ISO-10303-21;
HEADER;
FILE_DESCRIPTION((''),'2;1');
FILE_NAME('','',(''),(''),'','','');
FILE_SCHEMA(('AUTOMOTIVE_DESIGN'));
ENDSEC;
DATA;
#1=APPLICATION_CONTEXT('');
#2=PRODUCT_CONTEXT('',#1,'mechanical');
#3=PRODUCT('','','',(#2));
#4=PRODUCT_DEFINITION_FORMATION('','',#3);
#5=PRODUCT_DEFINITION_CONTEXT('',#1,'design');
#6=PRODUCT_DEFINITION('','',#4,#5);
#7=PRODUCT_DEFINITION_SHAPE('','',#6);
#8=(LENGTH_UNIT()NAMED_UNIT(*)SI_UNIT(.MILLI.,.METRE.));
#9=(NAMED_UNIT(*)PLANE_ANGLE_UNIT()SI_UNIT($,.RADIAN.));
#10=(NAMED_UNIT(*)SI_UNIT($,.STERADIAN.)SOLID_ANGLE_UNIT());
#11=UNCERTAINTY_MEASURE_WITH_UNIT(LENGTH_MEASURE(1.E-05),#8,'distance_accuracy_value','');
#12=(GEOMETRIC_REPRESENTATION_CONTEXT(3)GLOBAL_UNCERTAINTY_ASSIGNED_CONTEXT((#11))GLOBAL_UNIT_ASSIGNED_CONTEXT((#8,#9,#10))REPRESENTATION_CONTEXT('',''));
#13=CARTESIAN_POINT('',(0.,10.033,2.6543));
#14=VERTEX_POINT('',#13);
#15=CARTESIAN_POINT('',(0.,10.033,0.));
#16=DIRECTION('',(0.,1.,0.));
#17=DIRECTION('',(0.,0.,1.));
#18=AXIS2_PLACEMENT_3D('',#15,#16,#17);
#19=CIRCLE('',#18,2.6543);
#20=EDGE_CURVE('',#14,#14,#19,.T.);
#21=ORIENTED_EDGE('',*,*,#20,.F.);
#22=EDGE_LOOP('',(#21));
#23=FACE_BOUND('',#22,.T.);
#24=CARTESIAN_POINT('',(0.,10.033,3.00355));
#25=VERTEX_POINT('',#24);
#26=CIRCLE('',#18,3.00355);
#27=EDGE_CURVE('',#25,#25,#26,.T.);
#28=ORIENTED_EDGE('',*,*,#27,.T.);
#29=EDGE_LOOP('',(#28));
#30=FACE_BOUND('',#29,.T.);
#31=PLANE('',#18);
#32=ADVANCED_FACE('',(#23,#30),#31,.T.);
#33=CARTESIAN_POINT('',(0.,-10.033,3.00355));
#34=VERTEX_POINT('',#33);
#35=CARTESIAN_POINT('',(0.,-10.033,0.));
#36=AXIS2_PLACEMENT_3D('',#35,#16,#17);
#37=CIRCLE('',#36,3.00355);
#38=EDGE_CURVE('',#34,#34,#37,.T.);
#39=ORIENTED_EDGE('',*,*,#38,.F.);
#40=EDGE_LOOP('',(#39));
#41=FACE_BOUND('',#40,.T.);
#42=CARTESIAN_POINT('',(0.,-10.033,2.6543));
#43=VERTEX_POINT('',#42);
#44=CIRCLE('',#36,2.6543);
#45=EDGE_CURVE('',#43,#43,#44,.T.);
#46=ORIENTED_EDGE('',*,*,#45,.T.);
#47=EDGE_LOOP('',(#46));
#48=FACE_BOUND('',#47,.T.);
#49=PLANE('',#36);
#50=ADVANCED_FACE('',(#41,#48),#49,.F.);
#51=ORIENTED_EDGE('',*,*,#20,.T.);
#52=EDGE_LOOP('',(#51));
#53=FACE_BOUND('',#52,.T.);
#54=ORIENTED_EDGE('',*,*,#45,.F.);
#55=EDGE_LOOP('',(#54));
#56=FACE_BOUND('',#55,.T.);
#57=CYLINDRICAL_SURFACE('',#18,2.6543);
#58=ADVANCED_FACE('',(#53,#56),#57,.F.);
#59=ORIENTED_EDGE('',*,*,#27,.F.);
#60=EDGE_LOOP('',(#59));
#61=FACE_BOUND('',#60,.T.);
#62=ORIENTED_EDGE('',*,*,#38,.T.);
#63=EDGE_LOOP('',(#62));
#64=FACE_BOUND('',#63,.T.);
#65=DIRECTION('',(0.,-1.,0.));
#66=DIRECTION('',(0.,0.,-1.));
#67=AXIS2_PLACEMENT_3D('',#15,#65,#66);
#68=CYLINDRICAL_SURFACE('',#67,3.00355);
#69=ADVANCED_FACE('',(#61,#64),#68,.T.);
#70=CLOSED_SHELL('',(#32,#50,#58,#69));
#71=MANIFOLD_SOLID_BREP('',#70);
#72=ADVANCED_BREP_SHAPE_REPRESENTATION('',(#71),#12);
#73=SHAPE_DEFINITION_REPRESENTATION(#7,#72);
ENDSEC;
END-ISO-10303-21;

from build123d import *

# Parameters (mm, degrees)
SKETCH1_R                  = 3.00355
BOSS_EXTRUDE1_DEPTH        = 10.033
F_4_0_209_DIAMETER_HOLE1_D = 5.3086


with BuildPart() as part:
    # Sketch1 → Boss-Extrude1 (new, symmetric)
    with BuildSketch(Plane(origin=(0, 0, 0), x_dir=(1, 0, 0), z_dir=(0, 1, 0))):
        with Locations(Location((0, 0, 0), (0, 0, 270))):
            Circle(SKETCH1_R)
    extrude(amount=BOSS_EXTRUDE1_DEPTH, both=True)

    # #4 (0.209) Diameter Hole1 (through all)
    with Locations(Plane(origin=(0, 10.033, 0), x_dir=(1, 0, 0), z_dir=(0, 1, 0))):
        with Locations((0, 0)):
            Hole(F_4_0_209_DIAMETER_HOLE1_D / 2)


solid = part.part
